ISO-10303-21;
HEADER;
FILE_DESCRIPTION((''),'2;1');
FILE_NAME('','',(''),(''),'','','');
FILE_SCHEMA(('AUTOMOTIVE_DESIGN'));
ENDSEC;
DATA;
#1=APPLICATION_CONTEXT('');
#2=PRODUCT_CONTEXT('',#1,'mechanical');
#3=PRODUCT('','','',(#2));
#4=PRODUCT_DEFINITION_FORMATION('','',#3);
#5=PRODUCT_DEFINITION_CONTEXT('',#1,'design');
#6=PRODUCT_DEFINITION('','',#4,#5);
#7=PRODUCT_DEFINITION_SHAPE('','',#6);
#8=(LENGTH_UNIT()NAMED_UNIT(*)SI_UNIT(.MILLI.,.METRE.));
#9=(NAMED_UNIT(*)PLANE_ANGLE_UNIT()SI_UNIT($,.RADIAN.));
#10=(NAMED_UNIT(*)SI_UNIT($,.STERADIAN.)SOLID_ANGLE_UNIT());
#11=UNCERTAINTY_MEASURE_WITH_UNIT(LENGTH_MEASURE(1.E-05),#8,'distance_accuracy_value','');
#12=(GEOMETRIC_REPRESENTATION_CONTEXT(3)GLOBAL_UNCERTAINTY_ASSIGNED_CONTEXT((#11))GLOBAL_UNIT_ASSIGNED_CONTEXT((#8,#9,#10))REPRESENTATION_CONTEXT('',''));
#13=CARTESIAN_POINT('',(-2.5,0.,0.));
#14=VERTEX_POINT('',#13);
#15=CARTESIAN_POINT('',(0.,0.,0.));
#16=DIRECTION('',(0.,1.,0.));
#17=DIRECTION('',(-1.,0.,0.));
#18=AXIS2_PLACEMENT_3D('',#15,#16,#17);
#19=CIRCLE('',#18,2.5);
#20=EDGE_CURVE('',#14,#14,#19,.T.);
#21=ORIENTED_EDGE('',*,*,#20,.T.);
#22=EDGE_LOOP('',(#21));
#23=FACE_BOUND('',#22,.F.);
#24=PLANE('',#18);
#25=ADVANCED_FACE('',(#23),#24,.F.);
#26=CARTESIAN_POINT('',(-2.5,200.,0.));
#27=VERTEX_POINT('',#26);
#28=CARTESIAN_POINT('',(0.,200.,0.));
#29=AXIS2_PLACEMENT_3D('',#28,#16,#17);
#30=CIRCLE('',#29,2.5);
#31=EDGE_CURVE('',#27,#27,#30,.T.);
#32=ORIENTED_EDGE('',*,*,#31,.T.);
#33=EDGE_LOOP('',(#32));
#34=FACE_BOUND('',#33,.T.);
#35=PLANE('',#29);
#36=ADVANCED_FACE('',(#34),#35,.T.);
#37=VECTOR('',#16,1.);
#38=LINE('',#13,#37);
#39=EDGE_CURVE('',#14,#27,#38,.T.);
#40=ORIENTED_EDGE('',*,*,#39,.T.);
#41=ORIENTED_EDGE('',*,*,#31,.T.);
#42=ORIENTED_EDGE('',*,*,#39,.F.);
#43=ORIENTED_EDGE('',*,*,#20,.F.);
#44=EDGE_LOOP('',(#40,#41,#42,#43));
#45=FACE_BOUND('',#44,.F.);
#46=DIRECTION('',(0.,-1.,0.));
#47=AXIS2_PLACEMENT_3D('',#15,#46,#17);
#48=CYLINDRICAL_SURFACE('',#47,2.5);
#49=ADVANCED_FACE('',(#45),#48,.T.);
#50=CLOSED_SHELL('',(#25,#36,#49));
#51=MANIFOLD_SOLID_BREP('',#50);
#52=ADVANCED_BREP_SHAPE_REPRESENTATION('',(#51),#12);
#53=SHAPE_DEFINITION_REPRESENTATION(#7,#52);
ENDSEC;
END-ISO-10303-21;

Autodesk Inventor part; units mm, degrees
ref_plane "YZ Plane" through (0, 0, 0) normal (1, 0, 0) x (0, 1, 0)
ref_plane "XZ Plane" through (0, 0, 0) normal (0, 1, 0) x (-1, 0, 0)
ref_plane "XY Plane" through (0, 0, 0) normal (0, 0, 1) x (1, 0, 0)
sketch "Sketch1" plane through (0, 0, 0) normal (0, 1, 0) x (-1, 0, 0)
  circle A0 centre (0, 0) radius 2.5
  dimension "d0" = 5
extrude "Extrusion1" add sketch "Sketch1" along normal blind 200
properties part number "TIJA MARE"
